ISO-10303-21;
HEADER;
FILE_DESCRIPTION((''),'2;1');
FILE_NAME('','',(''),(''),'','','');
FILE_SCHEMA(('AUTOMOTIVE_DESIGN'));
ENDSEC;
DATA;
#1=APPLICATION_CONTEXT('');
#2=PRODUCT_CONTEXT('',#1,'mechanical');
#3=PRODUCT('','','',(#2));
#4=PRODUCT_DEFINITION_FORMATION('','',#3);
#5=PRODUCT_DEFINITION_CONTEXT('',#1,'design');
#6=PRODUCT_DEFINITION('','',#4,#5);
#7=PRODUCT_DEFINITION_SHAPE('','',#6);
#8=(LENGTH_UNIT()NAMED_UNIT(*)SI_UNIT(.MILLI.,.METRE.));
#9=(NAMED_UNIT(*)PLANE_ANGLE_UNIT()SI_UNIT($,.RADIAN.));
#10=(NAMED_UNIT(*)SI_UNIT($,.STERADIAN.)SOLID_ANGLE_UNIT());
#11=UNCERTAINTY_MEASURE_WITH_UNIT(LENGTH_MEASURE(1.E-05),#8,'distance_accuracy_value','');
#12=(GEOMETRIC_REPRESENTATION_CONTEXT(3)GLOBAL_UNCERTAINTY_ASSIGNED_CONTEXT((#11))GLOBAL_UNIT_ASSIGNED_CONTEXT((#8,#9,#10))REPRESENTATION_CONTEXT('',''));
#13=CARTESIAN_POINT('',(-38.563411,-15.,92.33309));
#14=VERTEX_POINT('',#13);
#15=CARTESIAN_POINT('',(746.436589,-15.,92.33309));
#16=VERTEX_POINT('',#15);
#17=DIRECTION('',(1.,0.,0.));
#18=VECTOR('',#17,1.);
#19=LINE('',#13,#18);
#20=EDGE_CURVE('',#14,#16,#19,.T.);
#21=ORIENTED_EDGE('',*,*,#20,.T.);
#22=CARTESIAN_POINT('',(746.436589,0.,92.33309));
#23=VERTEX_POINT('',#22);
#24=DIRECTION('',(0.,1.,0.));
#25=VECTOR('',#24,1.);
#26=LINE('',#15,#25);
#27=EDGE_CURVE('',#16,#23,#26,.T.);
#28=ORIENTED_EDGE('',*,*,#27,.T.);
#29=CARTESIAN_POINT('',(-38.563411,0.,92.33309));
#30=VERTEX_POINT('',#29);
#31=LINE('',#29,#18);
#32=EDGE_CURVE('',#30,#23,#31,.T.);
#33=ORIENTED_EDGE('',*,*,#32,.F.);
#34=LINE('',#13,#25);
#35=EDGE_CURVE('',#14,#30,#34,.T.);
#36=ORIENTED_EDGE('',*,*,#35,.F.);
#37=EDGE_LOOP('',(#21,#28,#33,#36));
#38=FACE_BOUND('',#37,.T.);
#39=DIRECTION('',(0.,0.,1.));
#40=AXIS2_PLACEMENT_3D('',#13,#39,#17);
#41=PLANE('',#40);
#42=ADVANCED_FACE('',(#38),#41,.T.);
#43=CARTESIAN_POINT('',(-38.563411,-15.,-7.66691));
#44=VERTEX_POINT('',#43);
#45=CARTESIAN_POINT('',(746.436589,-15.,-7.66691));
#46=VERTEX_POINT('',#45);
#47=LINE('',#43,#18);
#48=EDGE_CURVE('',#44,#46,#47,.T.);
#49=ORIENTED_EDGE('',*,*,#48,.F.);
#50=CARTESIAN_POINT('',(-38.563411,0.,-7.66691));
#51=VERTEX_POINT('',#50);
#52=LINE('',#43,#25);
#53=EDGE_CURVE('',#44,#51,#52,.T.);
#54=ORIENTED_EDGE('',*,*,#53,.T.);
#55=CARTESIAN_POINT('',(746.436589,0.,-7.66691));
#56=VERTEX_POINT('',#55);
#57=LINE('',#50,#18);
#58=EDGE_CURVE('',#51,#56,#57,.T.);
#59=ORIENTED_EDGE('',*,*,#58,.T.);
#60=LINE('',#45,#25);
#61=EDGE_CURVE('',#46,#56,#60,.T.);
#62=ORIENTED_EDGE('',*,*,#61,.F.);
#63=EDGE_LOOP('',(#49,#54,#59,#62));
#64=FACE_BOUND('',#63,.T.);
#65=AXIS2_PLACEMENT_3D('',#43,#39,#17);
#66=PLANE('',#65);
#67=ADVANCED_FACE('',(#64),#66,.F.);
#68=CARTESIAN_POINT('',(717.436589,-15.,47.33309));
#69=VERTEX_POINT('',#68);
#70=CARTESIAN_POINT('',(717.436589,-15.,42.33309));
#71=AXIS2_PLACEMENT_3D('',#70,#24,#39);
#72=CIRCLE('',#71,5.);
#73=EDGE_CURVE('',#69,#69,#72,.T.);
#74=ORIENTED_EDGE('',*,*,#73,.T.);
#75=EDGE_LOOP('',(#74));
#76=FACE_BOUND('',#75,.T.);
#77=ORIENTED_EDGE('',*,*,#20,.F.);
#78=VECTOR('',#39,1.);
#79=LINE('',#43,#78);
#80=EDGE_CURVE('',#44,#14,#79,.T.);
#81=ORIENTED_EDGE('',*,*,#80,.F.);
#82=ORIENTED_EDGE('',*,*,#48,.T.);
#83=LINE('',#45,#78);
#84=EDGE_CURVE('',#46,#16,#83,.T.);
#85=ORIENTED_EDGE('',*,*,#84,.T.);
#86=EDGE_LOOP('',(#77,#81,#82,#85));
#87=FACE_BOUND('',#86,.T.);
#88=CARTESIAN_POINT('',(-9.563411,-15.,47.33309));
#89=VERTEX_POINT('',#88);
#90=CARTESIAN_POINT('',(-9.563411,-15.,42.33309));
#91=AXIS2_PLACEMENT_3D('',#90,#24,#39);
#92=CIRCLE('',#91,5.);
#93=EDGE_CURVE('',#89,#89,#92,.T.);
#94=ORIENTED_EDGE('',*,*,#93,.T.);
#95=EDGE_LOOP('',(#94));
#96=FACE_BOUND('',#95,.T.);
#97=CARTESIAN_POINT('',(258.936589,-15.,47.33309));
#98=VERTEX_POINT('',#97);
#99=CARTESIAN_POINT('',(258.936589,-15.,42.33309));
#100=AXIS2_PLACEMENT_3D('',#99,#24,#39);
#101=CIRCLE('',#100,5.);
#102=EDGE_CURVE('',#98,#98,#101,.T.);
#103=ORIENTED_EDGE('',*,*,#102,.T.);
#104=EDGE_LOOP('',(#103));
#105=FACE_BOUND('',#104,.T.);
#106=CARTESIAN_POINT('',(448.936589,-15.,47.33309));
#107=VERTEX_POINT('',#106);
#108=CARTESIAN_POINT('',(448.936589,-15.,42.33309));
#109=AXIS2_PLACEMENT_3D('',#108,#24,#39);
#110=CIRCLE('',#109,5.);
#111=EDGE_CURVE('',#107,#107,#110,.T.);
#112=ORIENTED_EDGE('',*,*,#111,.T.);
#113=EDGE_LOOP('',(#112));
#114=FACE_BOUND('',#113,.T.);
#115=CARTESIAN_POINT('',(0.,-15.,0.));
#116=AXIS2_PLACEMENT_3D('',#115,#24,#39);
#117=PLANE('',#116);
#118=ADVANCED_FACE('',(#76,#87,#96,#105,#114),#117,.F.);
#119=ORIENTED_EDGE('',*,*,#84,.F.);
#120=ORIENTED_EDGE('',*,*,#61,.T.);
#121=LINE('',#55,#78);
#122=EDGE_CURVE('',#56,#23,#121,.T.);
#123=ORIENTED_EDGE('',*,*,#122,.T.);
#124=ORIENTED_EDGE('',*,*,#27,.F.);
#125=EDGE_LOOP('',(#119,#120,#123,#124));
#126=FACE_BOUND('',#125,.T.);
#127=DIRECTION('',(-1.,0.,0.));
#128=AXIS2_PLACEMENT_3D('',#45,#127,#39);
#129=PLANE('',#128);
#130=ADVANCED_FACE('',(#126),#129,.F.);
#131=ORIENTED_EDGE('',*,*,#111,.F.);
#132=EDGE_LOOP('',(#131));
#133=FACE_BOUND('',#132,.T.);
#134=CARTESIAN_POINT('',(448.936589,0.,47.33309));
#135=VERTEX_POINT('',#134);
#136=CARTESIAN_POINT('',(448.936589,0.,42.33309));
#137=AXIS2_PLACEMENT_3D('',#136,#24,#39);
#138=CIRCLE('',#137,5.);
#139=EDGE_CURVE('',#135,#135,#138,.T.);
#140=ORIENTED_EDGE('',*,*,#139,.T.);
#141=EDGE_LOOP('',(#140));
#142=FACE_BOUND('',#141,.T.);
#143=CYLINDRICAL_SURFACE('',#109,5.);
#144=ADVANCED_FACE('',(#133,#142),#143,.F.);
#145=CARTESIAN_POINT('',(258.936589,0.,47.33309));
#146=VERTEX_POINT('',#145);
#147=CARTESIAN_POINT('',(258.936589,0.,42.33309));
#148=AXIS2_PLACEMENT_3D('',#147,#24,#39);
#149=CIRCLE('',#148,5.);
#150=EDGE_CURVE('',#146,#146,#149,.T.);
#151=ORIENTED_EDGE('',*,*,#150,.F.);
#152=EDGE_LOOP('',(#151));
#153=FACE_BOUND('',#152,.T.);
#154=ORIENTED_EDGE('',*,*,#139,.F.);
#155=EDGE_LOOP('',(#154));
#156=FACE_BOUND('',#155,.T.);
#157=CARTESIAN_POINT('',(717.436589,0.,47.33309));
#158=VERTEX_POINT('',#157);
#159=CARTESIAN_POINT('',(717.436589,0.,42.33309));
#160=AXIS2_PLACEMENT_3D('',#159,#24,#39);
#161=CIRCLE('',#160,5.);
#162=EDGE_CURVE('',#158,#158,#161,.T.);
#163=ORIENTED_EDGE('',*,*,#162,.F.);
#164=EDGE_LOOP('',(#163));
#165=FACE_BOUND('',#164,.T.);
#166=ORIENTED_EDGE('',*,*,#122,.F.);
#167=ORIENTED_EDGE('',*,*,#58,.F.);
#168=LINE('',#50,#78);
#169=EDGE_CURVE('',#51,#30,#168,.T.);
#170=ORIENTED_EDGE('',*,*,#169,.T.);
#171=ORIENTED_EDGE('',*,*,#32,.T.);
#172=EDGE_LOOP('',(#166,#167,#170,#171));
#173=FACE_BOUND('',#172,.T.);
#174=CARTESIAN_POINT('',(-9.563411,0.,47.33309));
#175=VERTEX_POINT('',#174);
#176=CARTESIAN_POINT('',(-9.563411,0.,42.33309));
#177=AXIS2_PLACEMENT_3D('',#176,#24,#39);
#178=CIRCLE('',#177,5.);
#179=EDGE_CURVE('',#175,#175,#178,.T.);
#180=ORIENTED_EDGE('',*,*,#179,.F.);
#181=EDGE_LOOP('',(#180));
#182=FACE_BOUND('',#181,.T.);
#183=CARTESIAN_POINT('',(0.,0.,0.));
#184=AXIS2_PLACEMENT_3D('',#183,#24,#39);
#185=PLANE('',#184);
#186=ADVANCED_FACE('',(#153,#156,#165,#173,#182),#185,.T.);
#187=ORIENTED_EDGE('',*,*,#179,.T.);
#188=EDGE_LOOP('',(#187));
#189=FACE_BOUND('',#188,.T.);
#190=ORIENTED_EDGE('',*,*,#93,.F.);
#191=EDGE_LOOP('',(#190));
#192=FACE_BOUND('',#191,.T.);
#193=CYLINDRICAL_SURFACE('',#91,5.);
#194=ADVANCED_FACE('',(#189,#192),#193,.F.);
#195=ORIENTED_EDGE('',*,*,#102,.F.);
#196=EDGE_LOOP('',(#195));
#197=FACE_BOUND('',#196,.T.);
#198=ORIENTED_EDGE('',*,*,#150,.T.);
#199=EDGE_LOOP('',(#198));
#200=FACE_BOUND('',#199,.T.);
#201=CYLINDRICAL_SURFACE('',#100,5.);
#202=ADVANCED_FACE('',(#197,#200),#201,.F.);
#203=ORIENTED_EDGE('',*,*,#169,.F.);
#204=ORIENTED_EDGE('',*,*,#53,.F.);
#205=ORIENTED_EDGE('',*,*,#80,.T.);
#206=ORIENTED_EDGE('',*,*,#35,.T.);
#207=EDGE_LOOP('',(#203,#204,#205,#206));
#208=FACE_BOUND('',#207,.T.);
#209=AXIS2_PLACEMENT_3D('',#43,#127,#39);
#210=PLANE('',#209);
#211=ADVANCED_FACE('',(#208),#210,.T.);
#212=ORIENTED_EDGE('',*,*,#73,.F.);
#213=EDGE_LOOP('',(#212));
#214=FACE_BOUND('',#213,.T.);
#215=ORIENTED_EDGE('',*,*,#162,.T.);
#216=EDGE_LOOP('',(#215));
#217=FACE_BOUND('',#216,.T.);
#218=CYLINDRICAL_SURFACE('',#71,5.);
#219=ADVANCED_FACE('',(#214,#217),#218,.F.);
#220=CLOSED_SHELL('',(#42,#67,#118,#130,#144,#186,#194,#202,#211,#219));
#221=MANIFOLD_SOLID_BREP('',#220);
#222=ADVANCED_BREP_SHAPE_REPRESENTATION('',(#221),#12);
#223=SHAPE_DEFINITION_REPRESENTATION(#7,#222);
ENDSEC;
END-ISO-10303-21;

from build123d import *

# Parameters (mm, degrees)
CROQUIS1_W              = 785
CROQUIS1_H              = 100
SALIENTE_EXTRUIR1_DEPTH = 15
CROQUIS5_R              = 5
CORTAR_EXTRUIR4_DEPTH   = 16
CROQUIS6_R              = 5
CORTAR_EXTRUIR5_DEPTH   = 16


with BuildPart() as part:
    # Croquis1 → Saliente-Extruir1 (new body)
    with BuildSketch(Plane(origin=(0, 0, 0), x_dir=(1, 0, 0), z_dir=(0, 1, 0))):
        with Locations((353.936588921, -42.333090379)):
            Rectangle(CROQUIS1_W, CROQUIS1_H)
    extrude(amount=-SALIENTE_EXTRUIR1_DEPTH)

    # Croquis5 → Cortar-Extruir4 (cut, through all)
    with BuildSketch(Plane(origin=(0, 0, 0), x_dir=(1, 0, 0), z_dir=(0, 1, 0))):
        with Locations((258.936588921, -42.333090379)):
            Circle(CROQUIS5_R)
        with Locations((448.936588921, -42.333090379)):
            Circle(CROQUIS5_R)
    extrude(amount=-CORTAR_EXTRUIR4_DEPTH, mode=Mode.SUBTRACT)

    # Croquis6 → Cortar-Extruir5 (cut, through all)
    with BuildSketch(Plane(origin=(0, 0, 0), x_dir=(1, 0, 0), z_dir=(0, 1, 0))):
        with Locations((-9.563411079, -42.333090379)):
            Circle(CROQUIS6_R)
        with Locations((717.436588921, -42.333090379)):
            Circle(CROQUIS6_R)
    extrude(amount=-CORTAR_EXTRUIR5_DEPTH, mode=Mode.SUBTRACT)


solid = part.part
